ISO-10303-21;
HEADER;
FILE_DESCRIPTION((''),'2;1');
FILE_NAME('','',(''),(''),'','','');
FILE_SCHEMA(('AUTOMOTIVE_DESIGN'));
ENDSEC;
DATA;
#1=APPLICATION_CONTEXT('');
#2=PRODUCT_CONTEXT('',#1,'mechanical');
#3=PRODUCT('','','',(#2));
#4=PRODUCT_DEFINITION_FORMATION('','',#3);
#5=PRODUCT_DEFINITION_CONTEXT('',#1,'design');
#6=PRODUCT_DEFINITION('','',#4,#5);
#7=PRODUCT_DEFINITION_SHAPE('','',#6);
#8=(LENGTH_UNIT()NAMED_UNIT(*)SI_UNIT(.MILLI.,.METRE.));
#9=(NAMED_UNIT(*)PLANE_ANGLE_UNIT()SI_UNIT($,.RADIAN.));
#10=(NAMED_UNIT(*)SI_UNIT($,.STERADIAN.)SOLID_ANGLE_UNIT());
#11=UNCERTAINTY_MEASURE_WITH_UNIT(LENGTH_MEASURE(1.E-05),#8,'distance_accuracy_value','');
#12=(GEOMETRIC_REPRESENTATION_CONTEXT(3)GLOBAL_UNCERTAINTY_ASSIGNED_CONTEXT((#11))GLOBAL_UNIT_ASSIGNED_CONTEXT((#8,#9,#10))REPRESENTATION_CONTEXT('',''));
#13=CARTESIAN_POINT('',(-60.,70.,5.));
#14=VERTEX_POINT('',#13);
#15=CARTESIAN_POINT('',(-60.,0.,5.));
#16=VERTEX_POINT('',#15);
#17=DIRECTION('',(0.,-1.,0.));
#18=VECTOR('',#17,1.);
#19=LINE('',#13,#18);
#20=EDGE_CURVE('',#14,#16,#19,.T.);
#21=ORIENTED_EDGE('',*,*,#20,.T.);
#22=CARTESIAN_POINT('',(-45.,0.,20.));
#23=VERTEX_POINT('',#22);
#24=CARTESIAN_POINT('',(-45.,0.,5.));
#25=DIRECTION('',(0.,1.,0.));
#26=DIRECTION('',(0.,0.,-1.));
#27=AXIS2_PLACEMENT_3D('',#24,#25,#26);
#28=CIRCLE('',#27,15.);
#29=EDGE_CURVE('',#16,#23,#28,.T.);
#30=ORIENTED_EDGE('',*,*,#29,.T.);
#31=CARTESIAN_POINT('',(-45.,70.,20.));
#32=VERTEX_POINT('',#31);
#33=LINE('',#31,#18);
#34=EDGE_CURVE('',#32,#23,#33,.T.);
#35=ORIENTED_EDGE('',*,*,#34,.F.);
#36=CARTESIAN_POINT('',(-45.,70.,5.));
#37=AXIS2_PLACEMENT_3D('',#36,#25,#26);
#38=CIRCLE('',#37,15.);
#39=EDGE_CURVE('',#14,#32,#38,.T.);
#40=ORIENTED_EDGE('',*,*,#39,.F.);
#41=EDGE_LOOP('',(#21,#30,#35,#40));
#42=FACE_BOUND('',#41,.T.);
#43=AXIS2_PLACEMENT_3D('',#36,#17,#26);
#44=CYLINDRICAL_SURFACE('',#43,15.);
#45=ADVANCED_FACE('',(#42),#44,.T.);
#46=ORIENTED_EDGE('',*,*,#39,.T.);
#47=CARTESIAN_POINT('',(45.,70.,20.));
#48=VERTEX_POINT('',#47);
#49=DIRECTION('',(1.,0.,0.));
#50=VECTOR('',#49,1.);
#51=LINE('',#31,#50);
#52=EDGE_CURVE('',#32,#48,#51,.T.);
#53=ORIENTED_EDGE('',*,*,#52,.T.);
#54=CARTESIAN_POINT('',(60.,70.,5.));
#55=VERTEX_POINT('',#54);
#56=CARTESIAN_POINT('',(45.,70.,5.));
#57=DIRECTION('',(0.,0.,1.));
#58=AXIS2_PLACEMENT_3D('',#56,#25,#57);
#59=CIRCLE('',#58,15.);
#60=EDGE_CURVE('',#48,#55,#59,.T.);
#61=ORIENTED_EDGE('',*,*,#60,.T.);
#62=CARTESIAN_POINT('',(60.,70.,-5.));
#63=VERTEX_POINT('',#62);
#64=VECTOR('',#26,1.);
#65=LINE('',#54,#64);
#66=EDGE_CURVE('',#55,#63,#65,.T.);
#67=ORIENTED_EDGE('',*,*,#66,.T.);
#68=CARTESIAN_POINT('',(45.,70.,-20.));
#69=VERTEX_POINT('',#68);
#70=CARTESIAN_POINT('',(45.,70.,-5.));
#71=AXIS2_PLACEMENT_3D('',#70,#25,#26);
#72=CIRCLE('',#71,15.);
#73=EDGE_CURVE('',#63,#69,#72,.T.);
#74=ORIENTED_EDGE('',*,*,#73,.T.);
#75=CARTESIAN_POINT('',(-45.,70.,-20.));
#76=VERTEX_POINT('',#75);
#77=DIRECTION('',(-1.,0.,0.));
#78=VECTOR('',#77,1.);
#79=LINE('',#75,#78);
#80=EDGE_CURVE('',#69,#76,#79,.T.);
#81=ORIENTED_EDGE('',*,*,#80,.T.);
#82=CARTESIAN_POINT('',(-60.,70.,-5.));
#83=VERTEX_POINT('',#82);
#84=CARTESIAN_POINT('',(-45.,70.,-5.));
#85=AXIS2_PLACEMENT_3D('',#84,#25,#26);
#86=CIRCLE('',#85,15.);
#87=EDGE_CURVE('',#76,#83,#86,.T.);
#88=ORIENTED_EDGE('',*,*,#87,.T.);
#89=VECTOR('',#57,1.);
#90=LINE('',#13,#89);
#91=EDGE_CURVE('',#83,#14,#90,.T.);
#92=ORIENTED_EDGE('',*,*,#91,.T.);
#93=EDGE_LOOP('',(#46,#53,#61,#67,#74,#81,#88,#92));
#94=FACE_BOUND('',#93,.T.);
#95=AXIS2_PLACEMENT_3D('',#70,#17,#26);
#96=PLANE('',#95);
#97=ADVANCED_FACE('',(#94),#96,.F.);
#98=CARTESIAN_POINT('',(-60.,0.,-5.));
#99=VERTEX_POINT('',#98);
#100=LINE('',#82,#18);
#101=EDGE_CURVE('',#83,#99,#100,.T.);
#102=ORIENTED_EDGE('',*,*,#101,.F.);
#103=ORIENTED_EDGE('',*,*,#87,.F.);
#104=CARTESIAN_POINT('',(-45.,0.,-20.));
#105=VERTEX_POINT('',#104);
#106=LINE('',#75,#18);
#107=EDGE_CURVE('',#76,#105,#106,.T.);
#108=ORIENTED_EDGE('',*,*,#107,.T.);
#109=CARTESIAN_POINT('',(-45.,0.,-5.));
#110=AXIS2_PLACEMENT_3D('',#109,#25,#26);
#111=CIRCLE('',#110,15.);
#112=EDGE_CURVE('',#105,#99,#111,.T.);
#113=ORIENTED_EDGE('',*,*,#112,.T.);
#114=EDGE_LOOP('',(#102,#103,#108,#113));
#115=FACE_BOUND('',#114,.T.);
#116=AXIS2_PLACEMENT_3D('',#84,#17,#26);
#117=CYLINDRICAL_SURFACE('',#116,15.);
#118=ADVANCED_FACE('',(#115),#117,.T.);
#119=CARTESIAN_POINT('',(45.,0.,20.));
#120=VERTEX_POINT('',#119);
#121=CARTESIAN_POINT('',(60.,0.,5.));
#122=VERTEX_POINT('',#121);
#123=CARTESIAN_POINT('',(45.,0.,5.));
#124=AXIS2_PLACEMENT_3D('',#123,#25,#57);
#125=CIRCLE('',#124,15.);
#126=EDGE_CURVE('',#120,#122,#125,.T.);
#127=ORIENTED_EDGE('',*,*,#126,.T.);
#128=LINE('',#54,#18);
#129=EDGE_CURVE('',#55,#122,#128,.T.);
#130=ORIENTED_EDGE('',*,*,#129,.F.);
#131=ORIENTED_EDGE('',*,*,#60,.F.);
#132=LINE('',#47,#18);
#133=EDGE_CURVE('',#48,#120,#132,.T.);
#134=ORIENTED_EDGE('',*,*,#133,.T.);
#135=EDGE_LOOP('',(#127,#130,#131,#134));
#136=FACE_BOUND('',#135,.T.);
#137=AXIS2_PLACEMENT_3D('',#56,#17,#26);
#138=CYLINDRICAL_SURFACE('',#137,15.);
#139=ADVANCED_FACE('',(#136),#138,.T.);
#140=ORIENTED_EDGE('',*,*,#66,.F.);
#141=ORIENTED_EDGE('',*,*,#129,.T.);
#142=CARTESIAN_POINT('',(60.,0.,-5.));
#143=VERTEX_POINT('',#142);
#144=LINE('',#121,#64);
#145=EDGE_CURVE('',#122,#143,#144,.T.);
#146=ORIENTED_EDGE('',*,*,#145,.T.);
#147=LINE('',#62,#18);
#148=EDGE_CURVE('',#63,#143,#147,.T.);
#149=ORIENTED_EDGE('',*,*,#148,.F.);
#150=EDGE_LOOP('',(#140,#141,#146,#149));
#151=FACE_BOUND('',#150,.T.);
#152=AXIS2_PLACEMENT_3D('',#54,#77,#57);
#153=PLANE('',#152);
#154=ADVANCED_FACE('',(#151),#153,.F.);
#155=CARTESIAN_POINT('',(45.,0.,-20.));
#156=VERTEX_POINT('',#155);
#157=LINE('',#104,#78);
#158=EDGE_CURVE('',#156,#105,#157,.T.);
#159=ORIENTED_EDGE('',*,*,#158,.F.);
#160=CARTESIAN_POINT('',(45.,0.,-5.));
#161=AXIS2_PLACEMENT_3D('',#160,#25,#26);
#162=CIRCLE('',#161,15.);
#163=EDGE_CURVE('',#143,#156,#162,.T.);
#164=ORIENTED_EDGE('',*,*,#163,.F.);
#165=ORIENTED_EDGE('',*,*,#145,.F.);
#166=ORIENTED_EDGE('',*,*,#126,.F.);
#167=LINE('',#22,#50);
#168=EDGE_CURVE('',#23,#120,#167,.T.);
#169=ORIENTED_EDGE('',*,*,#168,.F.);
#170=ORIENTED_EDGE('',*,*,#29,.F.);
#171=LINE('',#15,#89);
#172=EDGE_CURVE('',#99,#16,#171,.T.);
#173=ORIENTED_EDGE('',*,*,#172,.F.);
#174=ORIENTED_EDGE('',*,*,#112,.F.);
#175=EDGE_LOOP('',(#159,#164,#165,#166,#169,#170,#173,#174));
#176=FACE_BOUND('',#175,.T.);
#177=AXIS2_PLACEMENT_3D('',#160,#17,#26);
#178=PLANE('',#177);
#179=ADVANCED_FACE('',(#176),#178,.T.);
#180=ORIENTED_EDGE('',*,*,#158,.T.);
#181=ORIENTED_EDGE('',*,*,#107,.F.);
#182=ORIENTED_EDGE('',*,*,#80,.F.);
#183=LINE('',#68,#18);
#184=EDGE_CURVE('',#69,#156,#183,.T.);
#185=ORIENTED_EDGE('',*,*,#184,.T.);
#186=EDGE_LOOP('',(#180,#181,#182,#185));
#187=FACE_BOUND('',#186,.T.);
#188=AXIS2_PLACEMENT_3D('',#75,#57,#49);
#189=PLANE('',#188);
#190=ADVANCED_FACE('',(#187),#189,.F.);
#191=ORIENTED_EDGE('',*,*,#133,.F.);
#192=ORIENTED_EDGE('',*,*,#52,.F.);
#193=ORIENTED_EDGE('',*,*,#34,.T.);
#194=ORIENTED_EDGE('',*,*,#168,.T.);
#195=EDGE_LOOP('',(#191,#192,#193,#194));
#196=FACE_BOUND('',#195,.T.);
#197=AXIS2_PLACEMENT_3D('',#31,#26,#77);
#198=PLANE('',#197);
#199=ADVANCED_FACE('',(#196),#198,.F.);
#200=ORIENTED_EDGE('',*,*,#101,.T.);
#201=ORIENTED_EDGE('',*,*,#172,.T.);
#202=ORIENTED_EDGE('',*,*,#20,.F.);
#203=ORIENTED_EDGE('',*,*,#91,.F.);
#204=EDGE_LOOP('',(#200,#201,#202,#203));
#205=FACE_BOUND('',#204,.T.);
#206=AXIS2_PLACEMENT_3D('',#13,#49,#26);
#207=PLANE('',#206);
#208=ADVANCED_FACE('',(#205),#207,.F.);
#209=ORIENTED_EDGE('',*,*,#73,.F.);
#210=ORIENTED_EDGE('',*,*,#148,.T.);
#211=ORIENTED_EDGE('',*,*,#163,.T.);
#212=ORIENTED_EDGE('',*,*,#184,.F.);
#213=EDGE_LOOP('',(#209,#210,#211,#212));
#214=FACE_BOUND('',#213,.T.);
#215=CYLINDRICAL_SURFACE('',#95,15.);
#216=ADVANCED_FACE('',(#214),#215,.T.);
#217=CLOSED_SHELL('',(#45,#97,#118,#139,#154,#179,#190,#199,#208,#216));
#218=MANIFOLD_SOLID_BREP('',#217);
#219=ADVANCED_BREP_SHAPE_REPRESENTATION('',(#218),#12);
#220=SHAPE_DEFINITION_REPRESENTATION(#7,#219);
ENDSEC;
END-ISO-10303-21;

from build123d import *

# Parameters (mm, degrees)
BOSS_EXTRUDE1_DEPTH = 70


with BuildPart() as part:
    # Sketch1 → Boss-Extrude1 (new body)
    with BuildSketch(Plane(origin=(0, 0, 0), x_dir=(1, 0, 0), z_dir=(0, 1, 0))):
        with BuildLine():
            Line((-45, -20), (45, -20))
            ThreePointArc((45, -20), (55.606601718, -15.606601718), (60, -5))
            Line((60, -5), (60, 5))
            ThreePointArc((60, 5), (55.606601718, 15.606601718), (45, 20))
            Line((45, 20), (-45, 20))
            ThreePointArc((-45, 20), (-55.606601718, 15.606601718), (-60, 5))
            Line((-60, 5), (-60, -5))
            ThreePointArc((-60, -5), (-55.606601718, -15.606601718), (-45, -20))
        make_face()
    extrude(amount=BOSS_EXTRUDE1_DEPTH)


solid = part.part
